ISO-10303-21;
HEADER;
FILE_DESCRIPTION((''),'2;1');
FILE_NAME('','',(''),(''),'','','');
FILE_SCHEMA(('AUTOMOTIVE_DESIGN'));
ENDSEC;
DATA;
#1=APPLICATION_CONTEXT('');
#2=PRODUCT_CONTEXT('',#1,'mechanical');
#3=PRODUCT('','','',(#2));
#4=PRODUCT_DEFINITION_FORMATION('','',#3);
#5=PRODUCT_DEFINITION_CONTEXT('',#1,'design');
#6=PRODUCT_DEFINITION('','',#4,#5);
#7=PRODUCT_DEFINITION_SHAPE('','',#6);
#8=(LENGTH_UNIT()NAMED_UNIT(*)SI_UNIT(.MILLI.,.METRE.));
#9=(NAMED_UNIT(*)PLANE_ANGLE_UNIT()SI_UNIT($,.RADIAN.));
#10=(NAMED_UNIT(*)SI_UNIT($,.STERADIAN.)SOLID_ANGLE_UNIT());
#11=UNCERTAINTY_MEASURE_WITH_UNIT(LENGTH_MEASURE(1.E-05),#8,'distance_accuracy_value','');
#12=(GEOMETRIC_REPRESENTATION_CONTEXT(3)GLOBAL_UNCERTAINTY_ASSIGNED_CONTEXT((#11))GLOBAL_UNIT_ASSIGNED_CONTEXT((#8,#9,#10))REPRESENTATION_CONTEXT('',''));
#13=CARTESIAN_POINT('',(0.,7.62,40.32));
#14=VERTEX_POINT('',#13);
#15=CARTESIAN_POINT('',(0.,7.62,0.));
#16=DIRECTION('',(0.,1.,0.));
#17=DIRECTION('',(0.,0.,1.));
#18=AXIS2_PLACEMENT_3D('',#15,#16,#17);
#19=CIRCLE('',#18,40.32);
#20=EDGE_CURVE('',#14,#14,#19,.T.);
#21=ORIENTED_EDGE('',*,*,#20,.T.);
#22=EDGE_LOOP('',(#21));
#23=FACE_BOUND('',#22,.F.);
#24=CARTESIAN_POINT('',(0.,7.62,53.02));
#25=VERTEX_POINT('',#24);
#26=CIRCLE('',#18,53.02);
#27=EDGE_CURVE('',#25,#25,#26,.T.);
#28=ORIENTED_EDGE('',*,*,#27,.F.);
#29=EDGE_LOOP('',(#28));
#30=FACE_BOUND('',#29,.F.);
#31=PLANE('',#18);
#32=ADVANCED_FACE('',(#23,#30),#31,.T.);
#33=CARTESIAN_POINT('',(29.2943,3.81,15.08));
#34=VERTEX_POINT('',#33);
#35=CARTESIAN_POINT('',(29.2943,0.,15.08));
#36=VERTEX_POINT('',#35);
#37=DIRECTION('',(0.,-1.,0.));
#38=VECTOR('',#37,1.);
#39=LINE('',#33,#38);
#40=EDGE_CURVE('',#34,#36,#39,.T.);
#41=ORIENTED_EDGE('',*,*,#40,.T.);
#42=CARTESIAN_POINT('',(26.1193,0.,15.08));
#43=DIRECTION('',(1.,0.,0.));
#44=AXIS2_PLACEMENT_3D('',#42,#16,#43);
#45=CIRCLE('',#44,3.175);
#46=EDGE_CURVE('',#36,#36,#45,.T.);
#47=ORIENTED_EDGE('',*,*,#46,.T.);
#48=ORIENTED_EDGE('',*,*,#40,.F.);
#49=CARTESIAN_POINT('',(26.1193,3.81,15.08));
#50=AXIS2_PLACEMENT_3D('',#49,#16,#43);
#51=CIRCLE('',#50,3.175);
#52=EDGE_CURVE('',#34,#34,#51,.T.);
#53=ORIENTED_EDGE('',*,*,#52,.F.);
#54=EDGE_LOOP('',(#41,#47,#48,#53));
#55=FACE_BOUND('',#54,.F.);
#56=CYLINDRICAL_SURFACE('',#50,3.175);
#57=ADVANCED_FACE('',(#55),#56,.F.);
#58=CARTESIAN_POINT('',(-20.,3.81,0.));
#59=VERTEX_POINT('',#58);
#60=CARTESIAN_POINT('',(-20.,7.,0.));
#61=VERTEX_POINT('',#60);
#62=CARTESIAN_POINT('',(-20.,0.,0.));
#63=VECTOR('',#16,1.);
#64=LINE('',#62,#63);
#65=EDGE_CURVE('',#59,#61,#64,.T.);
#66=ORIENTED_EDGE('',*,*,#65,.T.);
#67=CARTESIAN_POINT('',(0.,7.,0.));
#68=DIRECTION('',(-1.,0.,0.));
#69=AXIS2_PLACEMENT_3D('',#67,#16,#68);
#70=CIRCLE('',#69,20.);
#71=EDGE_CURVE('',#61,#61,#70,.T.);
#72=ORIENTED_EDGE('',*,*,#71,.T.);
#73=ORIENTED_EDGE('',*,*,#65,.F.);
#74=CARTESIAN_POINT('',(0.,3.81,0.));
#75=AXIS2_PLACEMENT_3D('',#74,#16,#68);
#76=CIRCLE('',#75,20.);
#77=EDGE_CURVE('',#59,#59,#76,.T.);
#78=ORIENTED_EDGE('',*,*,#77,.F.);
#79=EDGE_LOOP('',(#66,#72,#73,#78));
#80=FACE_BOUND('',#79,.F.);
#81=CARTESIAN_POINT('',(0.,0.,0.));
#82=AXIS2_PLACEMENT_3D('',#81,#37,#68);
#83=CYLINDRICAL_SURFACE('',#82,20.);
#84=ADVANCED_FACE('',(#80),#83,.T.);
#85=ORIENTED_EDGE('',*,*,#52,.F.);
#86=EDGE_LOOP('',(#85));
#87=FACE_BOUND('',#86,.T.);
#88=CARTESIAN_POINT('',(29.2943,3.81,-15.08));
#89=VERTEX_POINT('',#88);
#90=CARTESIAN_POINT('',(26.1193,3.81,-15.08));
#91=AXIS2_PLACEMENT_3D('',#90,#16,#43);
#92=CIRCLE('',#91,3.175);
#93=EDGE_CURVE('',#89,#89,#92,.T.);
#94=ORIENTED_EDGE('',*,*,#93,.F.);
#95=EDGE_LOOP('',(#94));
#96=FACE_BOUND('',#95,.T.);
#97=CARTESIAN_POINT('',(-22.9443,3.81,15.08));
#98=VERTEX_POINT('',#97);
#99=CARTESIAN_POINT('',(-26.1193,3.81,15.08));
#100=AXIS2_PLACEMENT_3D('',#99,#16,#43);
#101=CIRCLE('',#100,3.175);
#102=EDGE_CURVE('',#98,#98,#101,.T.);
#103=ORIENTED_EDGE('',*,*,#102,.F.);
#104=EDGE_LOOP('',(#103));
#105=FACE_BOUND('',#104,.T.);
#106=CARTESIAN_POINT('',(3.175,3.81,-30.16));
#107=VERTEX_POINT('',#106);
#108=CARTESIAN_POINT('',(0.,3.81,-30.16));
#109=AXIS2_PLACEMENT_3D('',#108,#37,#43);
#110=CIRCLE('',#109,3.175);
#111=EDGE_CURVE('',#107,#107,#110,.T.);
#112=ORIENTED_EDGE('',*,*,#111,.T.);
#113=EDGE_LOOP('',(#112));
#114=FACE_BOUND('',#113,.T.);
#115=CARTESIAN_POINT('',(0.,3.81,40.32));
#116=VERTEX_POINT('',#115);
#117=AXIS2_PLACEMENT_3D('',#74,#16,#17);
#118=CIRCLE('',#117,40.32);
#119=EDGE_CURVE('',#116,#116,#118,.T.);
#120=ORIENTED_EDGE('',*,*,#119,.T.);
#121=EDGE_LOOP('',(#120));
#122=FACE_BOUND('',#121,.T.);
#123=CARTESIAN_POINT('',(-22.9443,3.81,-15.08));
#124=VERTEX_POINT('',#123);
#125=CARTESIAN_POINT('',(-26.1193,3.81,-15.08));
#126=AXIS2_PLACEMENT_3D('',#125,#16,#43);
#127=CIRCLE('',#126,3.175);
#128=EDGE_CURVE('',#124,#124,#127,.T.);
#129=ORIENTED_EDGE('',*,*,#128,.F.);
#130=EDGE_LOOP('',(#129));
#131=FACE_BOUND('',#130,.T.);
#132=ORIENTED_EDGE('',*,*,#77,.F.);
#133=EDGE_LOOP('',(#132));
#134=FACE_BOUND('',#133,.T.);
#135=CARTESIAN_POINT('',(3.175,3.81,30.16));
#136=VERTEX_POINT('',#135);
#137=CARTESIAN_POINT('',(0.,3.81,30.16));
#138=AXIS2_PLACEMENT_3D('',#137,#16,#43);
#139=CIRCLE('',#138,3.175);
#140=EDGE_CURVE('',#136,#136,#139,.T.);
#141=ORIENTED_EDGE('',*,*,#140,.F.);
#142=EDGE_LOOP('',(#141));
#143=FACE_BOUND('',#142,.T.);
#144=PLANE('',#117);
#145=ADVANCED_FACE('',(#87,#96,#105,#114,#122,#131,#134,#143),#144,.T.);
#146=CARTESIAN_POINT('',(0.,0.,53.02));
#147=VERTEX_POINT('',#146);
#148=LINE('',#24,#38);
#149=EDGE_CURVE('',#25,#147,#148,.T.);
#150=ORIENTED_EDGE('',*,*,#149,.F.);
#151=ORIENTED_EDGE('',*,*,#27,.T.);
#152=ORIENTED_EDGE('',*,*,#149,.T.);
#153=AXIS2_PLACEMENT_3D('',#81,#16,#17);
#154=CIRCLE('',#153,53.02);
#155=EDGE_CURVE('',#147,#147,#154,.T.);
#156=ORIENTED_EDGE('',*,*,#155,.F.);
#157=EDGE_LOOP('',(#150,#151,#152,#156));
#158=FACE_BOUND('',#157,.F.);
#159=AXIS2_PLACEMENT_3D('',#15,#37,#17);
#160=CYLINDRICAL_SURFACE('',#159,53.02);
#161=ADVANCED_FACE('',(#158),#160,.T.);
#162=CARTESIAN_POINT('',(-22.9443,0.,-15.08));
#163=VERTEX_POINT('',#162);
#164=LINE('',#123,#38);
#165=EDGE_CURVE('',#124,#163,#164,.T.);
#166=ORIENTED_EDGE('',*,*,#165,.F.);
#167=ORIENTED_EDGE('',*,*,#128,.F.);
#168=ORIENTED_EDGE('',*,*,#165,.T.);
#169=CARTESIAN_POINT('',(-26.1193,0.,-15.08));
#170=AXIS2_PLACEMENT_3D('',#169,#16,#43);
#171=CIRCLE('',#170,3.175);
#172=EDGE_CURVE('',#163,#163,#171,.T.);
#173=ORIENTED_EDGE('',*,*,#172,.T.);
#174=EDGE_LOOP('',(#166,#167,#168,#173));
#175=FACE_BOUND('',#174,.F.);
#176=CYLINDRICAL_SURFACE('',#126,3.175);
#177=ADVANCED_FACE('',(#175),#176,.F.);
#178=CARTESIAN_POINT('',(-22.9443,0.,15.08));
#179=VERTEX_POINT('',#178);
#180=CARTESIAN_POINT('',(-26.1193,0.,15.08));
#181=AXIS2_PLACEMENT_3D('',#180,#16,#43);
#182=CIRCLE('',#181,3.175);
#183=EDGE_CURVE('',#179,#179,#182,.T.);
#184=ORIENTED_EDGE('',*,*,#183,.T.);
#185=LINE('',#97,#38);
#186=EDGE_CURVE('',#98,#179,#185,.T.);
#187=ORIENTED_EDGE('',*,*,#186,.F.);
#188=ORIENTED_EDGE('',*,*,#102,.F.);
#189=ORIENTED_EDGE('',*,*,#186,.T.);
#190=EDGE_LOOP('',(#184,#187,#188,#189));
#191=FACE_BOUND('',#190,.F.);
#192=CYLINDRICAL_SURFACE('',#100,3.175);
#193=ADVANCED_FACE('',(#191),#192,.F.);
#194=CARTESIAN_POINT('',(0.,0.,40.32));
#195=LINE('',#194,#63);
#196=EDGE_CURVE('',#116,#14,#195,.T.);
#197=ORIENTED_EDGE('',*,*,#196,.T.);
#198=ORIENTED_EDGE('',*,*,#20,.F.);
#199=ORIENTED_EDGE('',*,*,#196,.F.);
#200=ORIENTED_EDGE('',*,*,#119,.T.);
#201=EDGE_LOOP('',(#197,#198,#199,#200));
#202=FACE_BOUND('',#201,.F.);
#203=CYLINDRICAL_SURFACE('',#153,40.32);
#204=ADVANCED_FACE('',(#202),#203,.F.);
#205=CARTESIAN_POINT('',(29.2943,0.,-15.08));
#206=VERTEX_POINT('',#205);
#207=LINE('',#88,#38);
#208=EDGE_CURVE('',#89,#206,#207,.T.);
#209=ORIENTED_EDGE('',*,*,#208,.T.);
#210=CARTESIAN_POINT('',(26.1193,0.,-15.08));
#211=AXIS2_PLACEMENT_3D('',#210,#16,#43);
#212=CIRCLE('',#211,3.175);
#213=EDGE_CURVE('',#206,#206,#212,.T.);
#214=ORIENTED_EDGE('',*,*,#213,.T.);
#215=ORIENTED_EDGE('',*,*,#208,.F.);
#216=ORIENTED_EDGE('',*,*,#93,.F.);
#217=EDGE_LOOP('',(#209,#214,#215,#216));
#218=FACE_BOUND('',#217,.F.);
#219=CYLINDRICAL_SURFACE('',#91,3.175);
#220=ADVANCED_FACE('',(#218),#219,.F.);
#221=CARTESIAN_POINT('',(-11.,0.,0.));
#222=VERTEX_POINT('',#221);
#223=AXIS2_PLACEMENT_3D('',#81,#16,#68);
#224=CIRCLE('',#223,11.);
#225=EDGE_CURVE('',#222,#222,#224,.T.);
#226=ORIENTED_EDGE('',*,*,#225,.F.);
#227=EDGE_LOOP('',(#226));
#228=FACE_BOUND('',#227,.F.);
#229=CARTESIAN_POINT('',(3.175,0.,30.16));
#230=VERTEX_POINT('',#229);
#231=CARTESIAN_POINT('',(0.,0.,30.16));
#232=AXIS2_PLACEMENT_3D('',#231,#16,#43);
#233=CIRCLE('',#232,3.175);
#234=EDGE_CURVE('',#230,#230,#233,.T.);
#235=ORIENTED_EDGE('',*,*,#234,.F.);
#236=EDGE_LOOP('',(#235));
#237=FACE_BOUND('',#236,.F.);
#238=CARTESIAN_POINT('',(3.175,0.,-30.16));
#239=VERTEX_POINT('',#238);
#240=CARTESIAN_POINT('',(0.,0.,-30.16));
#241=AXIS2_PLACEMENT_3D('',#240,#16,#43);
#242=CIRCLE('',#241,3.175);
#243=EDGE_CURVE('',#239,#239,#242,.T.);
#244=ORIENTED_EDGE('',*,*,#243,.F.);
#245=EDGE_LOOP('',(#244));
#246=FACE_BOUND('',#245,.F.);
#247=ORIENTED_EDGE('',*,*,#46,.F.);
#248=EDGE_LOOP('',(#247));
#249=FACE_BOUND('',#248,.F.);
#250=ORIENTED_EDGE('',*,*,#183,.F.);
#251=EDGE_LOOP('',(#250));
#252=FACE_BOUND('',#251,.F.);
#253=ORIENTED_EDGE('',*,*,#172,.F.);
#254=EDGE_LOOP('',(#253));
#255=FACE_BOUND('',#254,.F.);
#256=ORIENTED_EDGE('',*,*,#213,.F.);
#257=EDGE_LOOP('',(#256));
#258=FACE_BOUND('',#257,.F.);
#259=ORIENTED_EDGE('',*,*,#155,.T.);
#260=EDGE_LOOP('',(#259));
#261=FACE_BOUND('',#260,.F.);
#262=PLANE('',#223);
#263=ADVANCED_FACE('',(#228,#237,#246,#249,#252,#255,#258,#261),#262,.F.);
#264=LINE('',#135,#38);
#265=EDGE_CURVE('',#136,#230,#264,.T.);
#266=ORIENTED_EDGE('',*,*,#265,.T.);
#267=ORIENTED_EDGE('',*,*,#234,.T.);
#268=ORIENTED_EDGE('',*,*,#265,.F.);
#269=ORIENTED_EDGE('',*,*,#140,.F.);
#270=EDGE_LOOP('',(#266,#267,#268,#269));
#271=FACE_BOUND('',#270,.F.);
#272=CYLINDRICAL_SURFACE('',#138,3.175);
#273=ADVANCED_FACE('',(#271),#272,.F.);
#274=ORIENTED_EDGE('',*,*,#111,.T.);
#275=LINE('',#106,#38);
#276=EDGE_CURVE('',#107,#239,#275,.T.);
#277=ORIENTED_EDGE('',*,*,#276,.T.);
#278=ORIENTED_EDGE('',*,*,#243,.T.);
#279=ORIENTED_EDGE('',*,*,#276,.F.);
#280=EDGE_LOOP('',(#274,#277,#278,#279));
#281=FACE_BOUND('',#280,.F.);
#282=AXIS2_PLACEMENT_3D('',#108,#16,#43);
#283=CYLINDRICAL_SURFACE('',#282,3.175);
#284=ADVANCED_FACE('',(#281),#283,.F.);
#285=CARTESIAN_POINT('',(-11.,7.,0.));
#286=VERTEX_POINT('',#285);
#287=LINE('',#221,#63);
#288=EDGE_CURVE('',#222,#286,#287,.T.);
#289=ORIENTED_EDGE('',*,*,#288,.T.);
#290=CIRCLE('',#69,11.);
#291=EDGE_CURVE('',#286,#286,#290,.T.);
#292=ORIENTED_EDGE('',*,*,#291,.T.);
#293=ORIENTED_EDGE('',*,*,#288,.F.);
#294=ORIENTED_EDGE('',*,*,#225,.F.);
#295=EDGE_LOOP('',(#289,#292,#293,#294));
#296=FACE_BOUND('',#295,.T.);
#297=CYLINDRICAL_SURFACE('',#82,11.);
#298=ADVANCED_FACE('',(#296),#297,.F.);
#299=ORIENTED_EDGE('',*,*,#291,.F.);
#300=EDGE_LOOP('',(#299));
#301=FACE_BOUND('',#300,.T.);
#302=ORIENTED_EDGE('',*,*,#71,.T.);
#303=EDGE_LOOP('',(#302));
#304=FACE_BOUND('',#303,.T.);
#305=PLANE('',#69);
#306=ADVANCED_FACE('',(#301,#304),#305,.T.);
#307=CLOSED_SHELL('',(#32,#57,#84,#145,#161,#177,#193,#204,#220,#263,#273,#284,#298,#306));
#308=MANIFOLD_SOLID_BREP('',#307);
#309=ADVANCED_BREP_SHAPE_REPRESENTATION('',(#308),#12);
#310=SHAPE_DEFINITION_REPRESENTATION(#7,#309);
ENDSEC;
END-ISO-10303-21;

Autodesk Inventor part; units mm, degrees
ref_plane "YZ Plane" through (0, 0, 0) normal (1, 0, 0) x (0, 1, 0)
ref_plane "XZ Plane" through (0, 0, 0) normal (0, 1, 0) x (-1, 0, 0)
ref_plane "XY Plane" through (0, 0, 0) normal (0, 0, 1) x (1, 0, 0)
sketch "Sketch1" plane through (0, 0, 0) normal (0, 1, 0) x (-1, 0, 0)
  circle A0 centre (0, 0) radius 11
  circle A1 centre (0, 0) radius 20
  dimension "d0" = 22
  dimension "d1" = 40
extrude "Extrusion1" add sketch "Sketch1" along normal blind 7
sketch "Sketch2" plane through (0, 0, 0) normal (1, 0, 0) x (0, 1, 0)
  line L0 (0, 40.32) -> (7.62, 40.32)
  line L1 (7.62, 40.32) -> (7.62, 53.02)
  line L2 (7.62, 53.02) -> (0, 53.02)
  line L3 (0, 53.02) -> (0, 40.32)
  line L4 (0, 40.32) -> (3.81, 40.32)
  line L5 (3.81, 40.32) -> (3.81, 20)
  line L6 (3.81, 20) -> (0, 20)
  line L7 (0, 20) -> (0, 40.32)
  line L8 (-1.524, 0) -> (9.144, 0) projected
  point P0 (0, 0)
  dimension "d4" = 20.32
  dimension "d5" = 7.62
  dimension "d6" = 20
  dimension "d7" = 3.81
  dimension "d8" = 12.7
revolve "Revolution1" add sketch "Sketch2" angle 360 about axis through (0, -10, 0) along (0, 1, 0)
sketch "Sketch3" plane through (0, 3.81, 0) normal (0, 1, 0) x (1, 0, 0)
  circle A0 centre (0, 0) radius 40.32 construction
  circle A1 centre (0, 0) radius 20 construction
  circle A2 centre (0, 30.16) radius 3.175
  line L0 (0, 30.16) -> (0, 20)
  line L1 (0, 30.16) -> (0, 40.32)
  circle A3 centre (-26.1193, 15.08) radius 3.175
  circle A4 centre (-26.1193, -15.08) radius 3.175
  circle A5 centre (0, -30.16) radius 3.175
  circle A6 centre (26.1193, -15.08) radius 3.175
  circle A7 centre (26.1193, 15.08) radius 3.175
  dimension "d10" = 6.35
  dimension "d13" = 360
extrude "Extrusion2" cut sketch "Sketch3" against normal blind 7
properties part number "OuterBearingHolder"
